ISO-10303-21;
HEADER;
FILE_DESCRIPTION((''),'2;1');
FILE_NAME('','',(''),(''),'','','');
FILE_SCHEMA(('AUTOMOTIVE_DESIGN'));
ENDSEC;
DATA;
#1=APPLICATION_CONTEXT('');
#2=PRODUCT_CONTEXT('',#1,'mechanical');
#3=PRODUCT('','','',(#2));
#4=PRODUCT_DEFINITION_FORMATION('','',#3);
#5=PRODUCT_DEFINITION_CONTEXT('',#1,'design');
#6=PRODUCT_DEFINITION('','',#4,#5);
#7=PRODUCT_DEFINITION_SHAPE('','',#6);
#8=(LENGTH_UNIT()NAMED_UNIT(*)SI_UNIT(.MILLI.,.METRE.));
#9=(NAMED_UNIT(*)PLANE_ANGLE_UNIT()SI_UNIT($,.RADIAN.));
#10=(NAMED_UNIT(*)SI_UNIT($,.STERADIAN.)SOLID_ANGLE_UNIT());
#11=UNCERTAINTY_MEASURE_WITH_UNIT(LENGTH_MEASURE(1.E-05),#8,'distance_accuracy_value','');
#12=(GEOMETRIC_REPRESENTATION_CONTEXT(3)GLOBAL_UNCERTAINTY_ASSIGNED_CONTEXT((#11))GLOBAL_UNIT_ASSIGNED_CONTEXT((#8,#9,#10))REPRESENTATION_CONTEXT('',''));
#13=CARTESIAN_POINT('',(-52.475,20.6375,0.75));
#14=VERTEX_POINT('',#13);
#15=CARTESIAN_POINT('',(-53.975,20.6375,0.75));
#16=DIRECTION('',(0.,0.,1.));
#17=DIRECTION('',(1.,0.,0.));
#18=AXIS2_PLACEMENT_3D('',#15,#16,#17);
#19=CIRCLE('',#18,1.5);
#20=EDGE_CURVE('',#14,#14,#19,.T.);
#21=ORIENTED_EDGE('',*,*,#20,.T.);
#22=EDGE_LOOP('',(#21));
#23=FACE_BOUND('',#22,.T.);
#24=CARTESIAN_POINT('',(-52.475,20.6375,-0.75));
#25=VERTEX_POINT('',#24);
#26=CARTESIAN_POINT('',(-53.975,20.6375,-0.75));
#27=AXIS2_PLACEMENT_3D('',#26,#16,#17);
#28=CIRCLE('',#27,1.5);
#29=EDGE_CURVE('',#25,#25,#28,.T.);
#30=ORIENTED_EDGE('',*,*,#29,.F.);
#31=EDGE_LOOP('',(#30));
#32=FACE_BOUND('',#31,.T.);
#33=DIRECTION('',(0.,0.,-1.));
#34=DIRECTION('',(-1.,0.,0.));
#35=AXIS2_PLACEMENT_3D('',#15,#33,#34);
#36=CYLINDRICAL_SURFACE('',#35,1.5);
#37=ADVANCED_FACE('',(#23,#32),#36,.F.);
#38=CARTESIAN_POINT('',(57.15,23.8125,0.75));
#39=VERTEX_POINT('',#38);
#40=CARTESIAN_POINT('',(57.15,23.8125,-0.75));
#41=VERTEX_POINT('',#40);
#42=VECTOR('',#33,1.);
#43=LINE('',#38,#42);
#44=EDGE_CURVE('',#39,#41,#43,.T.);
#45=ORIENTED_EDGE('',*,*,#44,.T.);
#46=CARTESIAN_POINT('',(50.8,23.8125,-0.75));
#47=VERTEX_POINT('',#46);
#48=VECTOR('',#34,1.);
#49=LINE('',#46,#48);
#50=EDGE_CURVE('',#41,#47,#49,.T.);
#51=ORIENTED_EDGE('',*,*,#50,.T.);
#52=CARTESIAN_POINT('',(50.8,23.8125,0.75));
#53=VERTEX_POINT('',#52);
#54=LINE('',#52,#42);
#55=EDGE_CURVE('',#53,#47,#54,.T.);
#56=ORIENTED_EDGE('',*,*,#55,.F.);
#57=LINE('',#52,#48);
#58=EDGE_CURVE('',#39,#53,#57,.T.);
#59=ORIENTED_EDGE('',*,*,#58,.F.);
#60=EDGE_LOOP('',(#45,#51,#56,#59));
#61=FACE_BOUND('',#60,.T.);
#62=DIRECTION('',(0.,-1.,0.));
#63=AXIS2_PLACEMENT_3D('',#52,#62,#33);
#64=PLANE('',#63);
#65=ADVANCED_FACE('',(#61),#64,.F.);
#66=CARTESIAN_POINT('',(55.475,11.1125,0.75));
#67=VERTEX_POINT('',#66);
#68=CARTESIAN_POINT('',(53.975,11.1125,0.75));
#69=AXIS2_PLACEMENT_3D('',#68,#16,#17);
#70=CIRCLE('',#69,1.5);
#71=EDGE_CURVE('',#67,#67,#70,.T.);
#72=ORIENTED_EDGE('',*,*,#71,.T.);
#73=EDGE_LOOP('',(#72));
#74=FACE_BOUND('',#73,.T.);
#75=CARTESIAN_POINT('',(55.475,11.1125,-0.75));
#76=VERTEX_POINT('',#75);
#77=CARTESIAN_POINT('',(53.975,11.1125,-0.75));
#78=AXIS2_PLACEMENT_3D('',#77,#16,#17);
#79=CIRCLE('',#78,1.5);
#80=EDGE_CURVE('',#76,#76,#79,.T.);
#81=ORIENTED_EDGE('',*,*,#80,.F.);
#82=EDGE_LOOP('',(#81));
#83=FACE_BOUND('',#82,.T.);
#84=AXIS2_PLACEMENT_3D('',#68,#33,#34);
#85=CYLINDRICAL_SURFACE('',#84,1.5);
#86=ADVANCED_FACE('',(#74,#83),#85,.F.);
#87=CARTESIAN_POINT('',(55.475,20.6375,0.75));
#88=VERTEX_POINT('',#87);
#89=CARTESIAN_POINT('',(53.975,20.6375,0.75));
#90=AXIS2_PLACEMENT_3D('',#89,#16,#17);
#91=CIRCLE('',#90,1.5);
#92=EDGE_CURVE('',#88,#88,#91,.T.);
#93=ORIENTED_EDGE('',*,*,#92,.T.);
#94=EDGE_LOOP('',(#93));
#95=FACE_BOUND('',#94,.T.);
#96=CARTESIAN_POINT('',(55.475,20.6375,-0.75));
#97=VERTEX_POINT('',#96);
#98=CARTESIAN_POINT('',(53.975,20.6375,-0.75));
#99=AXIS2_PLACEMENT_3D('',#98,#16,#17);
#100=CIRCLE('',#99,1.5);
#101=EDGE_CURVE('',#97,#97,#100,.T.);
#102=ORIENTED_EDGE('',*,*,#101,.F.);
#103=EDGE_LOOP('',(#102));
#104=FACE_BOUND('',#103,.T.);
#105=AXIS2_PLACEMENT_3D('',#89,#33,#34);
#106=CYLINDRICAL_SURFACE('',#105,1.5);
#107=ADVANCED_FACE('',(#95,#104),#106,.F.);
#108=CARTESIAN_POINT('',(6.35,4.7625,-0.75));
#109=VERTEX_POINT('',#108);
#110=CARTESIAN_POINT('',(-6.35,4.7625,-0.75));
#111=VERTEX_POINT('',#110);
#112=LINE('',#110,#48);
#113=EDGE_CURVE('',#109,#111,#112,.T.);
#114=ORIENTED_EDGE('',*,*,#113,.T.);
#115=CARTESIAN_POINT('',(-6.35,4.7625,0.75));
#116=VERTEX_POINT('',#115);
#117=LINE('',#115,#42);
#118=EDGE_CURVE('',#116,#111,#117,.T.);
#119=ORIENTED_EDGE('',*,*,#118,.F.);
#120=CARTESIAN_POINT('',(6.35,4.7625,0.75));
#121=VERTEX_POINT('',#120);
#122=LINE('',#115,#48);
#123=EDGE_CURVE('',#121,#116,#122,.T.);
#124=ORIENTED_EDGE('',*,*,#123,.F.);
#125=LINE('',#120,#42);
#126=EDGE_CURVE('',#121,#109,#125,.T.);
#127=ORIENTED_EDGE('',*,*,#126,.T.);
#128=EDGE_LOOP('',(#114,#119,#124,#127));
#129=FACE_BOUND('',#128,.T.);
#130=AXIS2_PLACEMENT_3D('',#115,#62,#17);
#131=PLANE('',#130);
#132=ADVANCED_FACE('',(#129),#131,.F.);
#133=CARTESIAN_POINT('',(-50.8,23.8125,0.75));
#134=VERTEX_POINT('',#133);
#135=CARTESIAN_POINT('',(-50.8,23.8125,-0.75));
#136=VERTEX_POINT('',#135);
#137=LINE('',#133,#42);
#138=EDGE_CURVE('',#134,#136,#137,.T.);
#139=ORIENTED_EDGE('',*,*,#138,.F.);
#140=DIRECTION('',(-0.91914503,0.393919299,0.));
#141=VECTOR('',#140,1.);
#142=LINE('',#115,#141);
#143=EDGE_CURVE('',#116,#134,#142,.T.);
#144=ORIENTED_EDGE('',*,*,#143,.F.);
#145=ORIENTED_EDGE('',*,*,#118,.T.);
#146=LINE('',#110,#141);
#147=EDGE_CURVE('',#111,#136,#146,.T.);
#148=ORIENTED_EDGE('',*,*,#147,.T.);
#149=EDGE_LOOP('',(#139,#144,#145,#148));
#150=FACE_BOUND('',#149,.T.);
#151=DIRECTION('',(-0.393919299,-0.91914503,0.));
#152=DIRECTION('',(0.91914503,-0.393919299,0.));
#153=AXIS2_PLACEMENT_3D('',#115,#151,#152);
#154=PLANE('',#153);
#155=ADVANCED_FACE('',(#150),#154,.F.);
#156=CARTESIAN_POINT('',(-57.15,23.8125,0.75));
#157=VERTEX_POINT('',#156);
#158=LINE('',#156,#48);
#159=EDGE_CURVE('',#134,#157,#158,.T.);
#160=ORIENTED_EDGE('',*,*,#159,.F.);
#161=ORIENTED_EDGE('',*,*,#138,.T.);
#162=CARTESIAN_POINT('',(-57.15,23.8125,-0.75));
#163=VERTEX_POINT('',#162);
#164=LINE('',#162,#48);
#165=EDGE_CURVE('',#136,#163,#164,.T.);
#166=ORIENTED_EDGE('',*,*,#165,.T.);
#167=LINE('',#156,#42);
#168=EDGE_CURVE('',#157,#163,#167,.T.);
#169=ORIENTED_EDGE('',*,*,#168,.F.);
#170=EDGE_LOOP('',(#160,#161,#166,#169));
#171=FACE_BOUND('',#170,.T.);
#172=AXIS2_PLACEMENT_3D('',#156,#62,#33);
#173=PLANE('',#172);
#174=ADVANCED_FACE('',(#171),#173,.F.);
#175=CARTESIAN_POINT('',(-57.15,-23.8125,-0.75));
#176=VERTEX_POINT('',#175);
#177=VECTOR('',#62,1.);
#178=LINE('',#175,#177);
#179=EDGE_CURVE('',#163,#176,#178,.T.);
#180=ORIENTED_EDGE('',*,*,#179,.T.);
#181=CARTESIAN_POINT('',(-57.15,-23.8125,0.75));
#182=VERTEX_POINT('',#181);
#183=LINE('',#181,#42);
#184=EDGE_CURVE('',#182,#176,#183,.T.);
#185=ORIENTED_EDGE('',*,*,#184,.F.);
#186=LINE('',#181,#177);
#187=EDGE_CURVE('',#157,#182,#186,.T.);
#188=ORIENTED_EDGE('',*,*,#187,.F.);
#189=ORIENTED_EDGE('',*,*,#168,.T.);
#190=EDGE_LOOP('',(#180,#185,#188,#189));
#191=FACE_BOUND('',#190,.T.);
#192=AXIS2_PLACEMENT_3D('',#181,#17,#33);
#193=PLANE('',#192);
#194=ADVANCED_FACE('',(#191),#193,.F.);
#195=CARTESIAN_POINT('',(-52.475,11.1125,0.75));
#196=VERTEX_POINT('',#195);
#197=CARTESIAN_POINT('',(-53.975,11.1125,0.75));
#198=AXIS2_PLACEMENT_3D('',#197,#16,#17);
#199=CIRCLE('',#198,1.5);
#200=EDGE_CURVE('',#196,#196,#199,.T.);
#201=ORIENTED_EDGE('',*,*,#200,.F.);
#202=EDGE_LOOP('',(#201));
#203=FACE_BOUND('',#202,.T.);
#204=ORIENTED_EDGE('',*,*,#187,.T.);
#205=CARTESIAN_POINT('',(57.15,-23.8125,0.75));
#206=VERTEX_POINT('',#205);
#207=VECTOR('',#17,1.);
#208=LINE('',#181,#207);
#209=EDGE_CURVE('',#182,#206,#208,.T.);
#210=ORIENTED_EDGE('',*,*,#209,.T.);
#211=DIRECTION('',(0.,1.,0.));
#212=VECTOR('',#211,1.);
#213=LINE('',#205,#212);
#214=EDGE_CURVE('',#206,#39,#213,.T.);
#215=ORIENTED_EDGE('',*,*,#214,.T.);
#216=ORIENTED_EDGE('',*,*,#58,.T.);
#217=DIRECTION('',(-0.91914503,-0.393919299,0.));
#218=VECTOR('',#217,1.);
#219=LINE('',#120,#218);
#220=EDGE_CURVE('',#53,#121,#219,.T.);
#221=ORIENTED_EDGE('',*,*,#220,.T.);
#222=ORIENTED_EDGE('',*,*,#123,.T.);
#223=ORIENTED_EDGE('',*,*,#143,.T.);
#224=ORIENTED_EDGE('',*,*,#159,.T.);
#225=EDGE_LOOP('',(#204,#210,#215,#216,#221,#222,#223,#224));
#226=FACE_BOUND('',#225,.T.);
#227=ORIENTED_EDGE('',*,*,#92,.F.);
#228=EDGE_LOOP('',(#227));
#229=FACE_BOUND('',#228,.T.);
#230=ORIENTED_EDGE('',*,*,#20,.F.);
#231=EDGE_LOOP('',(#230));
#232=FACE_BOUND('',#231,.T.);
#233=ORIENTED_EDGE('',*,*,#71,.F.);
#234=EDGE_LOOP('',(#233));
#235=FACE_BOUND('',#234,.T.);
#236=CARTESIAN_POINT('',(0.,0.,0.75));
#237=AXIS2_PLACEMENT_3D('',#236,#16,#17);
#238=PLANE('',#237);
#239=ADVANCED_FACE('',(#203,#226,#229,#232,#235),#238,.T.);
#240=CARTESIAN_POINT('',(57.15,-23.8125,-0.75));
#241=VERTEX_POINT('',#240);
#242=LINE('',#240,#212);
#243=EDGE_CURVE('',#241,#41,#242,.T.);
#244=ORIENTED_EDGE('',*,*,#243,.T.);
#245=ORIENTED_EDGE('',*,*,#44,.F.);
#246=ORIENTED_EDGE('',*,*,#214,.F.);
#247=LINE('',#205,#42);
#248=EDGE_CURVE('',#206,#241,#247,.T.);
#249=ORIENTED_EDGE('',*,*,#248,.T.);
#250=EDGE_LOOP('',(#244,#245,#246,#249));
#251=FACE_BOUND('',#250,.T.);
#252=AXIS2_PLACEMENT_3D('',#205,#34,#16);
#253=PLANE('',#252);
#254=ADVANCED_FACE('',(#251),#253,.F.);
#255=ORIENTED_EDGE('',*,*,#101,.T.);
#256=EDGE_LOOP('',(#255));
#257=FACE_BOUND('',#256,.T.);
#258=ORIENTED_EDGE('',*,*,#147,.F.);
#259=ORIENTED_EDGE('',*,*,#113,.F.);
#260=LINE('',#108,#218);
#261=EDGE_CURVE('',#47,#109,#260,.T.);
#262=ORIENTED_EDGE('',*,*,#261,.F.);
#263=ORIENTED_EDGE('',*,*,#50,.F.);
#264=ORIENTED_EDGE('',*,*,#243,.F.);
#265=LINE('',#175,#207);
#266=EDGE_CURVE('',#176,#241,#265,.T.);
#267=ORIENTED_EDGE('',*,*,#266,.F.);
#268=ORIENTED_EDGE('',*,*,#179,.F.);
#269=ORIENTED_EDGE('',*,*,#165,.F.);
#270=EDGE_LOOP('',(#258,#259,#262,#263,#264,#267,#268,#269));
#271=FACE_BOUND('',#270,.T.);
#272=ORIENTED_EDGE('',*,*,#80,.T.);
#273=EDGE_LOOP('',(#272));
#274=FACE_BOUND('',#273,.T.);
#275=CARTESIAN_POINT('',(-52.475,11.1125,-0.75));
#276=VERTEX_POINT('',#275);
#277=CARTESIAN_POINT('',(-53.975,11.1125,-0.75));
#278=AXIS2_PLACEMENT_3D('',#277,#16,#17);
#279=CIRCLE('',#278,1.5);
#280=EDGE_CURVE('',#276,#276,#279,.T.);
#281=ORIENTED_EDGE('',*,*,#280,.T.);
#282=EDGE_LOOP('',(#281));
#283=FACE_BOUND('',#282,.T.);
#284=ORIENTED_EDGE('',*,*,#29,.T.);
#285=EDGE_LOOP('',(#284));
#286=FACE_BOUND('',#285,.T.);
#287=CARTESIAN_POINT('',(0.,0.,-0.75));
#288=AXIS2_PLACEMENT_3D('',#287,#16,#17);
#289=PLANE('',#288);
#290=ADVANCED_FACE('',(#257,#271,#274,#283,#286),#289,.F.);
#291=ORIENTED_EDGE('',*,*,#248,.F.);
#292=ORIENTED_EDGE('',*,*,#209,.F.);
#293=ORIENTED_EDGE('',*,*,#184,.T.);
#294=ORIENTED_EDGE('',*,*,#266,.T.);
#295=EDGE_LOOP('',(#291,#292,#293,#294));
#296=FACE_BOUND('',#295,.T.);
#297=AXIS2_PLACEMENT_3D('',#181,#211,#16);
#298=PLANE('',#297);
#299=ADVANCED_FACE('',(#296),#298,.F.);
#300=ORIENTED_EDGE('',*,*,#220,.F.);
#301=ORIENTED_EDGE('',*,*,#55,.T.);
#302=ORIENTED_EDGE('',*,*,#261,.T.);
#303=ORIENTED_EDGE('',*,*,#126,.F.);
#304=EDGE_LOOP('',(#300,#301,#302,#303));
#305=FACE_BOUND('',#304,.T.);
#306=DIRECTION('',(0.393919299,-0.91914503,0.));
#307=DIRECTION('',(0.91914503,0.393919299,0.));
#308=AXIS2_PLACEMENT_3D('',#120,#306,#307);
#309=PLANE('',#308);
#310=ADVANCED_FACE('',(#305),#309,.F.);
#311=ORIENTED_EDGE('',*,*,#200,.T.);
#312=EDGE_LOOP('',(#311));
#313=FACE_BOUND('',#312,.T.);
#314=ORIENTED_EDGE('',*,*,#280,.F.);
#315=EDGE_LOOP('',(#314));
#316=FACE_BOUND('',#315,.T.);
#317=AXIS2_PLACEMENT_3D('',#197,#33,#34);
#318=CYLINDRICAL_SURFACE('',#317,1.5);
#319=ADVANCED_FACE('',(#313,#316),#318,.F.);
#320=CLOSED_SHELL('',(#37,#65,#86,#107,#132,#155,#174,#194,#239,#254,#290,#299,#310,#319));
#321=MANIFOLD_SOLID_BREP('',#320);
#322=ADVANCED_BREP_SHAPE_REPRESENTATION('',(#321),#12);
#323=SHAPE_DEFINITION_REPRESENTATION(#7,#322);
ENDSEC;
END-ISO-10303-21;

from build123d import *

# Parameters (mm, degrees)
SKETCH1_R           = 1.5
BOSS_EXTRUDE1_DEPTH = 0.75


with BuildPart() as part:
    # Sketch1 → Boss-Extrude1 (new body, symmetric)
    with BuildSketch(Plane.XY):
        Polygon((-57.15, -23.8125), (57.15, -23.8125), (57.15, 23.8125), (50.8, 23.8125), (6.35, 4.7625), (-6.35, 4.7625), (-50.8, 23.8125), (-57.15, 23.8125), align=None)
        with Locations((53.975, 20.6375)):
            Circle(SKETCH1_R, mode=Mode.SUBTRACT)
        with Locations((53.975, 11.1125)):
            Circle(SKETCH1_R, mode=Mode.SUBTRACT)
        with Locations((-53.975, 20.6375)):
            Circle(SKETCH1_R, mode=Mode.SUBTRACT)
        with Locations((-53.975, 11.1125)):
            Circle(SKETCH1_R, mode=Mode.SUBTRACT)
    extrude(amount=BOSS_EXTRUDE1_DEPTH, both=True)


solid = part.part
